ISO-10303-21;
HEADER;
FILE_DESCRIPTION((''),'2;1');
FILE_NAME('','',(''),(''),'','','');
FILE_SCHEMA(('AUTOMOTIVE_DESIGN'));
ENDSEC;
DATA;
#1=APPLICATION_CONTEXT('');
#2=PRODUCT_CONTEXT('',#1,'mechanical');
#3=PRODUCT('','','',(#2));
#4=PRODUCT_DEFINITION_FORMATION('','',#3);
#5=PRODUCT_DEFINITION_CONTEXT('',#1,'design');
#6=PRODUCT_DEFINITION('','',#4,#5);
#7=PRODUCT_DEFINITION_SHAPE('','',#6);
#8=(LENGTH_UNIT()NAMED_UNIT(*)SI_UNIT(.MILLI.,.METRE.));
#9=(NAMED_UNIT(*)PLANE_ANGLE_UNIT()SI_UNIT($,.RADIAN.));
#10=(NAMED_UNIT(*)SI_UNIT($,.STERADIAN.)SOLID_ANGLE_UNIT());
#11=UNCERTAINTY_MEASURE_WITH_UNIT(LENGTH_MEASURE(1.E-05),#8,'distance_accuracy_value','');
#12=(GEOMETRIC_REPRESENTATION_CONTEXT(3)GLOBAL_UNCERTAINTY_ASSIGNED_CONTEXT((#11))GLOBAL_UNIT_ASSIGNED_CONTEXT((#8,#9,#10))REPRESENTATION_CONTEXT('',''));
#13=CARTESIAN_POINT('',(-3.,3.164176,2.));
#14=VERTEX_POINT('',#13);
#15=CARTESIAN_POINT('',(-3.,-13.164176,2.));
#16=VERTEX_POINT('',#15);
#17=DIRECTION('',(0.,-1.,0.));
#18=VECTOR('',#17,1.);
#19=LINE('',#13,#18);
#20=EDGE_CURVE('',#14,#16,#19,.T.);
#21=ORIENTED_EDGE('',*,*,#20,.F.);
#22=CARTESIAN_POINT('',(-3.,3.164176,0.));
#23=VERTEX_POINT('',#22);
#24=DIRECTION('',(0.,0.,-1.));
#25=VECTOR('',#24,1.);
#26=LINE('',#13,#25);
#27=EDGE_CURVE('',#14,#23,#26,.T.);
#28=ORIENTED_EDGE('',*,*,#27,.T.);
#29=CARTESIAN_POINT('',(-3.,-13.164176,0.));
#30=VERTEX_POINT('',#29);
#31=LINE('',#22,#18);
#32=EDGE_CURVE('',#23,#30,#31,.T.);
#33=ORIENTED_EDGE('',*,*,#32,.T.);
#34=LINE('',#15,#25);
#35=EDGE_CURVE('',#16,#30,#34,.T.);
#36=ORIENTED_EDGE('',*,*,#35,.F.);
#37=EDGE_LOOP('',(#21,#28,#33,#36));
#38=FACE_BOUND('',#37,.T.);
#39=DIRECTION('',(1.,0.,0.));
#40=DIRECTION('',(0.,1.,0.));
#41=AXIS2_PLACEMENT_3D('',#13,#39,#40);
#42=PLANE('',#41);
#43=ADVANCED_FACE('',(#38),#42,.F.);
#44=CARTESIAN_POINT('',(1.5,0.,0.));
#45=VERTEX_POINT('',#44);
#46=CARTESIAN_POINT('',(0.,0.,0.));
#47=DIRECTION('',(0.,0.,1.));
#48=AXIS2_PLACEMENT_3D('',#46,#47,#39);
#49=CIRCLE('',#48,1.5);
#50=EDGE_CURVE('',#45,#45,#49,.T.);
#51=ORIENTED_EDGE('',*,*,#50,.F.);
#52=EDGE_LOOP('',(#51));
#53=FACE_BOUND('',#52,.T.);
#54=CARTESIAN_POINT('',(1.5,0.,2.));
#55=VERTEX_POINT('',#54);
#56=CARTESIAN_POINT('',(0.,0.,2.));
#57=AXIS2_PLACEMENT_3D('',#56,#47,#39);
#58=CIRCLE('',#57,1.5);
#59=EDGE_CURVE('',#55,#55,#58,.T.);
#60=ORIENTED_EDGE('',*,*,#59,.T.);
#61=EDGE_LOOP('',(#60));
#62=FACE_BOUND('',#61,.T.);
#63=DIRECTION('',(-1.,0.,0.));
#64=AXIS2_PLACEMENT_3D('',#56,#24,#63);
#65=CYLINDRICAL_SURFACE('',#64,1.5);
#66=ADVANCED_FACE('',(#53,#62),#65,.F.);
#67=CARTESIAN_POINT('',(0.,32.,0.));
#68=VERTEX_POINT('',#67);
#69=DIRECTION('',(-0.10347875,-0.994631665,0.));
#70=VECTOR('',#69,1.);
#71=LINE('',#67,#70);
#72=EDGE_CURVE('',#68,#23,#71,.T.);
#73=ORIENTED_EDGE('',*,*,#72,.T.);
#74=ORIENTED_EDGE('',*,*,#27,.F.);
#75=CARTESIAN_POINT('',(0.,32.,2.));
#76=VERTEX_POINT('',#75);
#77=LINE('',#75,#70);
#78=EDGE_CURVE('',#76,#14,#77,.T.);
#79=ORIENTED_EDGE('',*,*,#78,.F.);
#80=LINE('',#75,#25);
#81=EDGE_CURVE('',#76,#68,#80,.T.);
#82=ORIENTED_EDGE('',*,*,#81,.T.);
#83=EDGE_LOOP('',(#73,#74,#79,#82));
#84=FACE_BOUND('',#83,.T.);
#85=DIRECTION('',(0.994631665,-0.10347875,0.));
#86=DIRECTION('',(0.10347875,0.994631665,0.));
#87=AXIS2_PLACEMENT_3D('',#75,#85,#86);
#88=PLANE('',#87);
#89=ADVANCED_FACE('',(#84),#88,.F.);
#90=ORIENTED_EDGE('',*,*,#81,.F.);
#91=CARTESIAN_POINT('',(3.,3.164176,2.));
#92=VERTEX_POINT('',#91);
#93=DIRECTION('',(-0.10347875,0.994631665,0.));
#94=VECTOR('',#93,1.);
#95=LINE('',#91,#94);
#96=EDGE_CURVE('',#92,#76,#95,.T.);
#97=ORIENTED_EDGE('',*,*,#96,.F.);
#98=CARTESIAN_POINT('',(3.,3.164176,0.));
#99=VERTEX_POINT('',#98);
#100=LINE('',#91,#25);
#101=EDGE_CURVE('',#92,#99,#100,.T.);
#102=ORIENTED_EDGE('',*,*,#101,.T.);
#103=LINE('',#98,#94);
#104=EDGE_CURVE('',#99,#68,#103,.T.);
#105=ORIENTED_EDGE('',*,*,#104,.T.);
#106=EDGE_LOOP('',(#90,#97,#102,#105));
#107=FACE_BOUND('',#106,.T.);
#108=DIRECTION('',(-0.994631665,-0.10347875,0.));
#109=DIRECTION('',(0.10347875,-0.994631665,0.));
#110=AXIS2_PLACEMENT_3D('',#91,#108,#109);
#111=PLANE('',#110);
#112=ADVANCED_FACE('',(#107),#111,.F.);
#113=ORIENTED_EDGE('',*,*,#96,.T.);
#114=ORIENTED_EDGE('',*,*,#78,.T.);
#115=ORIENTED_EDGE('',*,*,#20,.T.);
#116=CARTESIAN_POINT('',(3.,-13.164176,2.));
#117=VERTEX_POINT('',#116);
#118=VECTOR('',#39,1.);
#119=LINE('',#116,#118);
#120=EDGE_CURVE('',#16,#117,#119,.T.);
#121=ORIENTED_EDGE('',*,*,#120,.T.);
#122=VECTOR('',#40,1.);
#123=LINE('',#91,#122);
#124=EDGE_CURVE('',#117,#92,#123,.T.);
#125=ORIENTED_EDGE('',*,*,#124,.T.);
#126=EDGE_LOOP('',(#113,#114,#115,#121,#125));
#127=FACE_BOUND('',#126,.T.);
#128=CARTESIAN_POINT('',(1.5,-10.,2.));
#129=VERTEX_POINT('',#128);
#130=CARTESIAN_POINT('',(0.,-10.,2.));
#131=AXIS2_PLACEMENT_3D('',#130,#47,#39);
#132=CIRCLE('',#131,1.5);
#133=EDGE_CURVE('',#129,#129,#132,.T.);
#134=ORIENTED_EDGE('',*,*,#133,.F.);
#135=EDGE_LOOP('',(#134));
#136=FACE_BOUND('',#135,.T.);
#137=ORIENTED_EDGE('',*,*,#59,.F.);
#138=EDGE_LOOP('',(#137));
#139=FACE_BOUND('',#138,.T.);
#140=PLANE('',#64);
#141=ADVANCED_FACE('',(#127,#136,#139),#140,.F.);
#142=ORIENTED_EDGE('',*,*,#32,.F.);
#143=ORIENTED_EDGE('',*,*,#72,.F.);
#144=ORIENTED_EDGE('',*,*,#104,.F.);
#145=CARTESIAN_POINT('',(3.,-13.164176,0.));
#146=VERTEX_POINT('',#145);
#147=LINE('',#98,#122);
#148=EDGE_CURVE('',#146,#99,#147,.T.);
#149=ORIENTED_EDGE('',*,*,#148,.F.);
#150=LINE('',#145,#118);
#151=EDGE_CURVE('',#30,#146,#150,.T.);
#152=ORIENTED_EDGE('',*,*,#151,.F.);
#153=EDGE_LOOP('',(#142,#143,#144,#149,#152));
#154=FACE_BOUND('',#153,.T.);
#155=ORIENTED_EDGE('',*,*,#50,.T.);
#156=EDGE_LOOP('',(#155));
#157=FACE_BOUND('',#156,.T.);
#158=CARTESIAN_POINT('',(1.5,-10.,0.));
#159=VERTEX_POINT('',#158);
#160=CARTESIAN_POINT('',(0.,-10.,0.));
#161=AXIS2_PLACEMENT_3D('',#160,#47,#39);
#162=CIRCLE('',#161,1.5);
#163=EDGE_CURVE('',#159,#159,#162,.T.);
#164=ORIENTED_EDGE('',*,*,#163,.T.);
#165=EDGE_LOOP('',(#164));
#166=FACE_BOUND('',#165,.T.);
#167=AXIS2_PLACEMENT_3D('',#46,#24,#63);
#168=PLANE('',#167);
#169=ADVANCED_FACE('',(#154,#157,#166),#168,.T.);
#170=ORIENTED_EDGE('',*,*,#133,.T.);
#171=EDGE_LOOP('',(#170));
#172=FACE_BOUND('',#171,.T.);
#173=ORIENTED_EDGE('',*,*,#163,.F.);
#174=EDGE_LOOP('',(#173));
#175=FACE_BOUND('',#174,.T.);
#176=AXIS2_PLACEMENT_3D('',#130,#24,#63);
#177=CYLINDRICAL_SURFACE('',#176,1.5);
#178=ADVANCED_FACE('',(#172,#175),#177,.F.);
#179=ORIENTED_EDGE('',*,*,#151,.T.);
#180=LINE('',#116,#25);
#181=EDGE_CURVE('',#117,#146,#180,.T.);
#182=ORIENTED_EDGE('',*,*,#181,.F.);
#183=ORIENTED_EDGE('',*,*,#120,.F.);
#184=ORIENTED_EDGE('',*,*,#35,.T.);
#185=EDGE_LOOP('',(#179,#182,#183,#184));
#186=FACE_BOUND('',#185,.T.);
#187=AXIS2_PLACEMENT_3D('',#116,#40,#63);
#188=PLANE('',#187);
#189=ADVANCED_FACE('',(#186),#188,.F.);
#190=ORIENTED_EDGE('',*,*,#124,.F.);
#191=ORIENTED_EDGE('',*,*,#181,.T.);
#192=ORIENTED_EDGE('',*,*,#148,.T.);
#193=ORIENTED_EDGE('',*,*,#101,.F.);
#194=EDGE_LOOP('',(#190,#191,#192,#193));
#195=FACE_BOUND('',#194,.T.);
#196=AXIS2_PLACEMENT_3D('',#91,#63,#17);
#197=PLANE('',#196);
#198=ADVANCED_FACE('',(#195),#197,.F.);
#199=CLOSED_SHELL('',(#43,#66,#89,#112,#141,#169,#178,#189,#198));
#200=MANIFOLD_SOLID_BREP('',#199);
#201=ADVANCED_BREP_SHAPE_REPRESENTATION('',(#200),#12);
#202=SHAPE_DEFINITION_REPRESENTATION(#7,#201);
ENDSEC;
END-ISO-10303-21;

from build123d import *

# Parameters (mm, degrees)
SKETCH_1_R      = 1.5
EXTRUDE_1_DEPTH = 2


with BuildPart() as part:
    # 草图1 → 凸台-拉伸1 (new body)
    with BuildSketch(Plane.XY):
        Polygon((3, 3.164176285), (0, 32), (-3, 3.164176285), (-3, -13.164176285), (3, -13.164176285), align=None)
        Circle(SKETCH_1_R, mode=Mode.SUBTRACT)
        with Locations((0, -10)):
            Circle(SKETCH_1_R, mode=Mode.SUBTRACT)
    extrude(amount=EXTRUDE_1_DEPTH)


solid = part.part
